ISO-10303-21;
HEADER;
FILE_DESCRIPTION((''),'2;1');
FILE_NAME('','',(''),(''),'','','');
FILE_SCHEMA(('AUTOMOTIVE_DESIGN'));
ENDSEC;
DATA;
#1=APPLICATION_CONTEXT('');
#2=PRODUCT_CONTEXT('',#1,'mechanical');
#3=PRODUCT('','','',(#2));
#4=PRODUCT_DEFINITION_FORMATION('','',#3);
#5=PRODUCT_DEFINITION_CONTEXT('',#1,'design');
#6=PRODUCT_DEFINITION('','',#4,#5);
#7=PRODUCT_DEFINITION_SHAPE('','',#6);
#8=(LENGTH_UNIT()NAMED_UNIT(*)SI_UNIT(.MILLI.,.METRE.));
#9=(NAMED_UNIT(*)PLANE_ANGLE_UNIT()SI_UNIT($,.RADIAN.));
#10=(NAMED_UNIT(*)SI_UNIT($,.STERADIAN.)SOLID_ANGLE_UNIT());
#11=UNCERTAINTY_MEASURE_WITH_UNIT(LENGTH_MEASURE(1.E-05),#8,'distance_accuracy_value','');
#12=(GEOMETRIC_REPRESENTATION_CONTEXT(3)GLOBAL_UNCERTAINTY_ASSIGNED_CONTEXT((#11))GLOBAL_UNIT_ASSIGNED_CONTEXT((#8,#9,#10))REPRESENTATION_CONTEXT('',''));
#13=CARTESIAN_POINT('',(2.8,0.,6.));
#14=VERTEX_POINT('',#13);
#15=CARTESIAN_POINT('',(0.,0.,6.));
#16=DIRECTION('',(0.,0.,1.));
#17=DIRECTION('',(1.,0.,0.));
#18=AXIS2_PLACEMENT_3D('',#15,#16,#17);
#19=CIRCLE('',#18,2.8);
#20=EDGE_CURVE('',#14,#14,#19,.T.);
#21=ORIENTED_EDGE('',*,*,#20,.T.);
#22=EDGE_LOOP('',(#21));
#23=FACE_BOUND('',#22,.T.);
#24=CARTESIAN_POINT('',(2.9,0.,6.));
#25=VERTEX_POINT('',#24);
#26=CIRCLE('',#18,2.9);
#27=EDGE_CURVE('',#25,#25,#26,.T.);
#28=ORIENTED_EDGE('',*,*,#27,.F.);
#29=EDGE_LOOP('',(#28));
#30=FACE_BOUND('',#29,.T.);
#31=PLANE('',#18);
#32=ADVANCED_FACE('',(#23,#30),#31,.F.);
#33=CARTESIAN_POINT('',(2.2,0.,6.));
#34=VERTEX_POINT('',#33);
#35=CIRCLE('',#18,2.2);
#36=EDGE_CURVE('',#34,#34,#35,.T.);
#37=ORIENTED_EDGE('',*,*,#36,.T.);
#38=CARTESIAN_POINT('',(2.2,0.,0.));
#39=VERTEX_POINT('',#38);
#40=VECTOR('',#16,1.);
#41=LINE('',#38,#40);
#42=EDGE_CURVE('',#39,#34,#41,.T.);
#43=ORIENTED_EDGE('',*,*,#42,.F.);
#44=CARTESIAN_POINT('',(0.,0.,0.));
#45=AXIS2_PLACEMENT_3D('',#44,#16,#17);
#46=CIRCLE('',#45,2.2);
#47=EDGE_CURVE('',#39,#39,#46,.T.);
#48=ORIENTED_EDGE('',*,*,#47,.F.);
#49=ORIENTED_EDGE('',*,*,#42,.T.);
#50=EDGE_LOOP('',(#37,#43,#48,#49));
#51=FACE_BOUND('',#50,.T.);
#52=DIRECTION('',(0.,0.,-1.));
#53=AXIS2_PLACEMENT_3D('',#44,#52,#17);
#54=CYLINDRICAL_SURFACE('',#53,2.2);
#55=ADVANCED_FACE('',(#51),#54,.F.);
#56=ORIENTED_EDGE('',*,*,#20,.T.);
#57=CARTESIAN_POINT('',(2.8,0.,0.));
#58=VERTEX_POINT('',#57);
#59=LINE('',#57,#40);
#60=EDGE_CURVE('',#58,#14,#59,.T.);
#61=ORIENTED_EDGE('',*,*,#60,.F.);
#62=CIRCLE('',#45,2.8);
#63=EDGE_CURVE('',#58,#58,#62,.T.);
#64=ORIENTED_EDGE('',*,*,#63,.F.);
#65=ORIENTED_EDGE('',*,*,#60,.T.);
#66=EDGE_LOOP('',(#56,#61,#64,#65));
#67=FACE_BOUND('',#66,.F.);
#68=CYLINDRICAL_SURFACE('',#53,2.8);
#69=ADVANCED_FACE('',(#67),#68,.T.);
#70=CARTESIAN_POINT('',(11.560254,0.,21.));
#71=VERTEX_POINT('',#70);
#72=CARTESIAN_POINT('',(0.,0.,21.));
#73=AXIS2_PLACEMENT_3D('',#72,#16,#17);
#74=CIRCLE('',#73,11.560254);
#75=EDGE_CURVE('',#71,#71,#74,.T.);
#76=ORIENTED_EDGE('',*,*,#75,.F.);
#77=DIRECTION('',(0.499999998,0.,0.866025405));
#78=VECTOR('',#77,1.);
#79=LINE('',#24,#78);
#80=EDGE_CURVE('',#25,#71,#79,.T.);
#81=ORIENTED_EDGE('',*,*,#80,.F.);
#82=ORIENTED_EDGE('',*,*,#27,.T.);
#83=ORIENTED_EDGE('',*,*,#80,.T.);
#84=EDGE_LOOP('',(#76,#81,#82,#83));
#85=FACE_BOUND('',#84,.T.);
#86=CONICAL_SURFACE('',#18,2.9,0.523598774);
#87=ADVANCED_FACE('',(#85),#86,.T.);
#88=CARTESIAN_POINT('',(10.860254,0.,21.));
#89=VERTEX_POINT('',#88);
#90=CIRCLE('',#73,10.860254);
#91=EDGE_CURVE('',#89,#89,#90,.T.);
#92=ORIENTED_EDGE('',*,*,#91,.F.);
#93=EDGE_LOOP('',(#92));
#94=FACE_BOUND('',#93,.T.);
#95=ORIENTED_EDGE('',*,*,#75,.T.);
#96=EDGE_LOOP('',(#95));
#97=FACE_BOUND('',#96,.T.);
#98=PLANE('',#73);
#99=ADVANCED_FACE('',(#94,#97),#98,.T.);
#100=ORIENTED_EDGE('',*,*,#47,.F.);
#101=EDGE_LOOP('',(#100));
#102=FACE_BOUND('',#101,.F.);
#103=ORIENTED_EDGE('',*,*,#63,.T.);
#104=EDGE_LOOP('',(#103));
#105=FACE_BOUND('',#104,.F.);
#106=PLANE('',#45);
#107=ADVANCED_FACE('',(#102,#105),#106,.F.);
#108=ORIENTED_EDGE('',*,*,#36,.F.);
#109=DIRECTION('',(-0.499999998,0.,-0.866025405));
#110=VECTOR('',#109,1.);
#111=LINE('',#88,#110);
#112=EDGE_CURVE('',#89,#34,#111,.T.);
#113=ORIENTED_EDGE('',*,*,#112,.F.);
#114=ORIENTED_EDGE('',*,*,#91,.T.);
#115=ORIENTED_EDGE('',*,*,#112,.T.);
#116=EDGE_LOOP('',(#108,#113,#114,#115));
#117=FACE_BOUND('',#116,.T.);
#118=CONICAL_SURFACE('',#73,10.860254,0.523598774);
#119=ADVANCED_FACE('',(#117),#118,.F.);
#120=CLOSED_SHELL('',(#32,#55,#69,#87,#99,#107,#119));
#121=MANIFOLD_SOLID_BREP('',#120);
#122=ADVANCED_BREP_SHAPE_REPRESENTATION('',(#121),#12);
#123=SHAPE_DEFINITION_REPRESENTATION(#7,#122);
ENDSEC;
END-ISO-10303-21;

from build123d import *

# Parameters (mm, degrees)
F0_R     = 2.8
F0_R_2   = 2.2
F1_DEPTH = 6


with BuildPart() as f1:
    # F0 (on Top) → F1 (new body)
    with BuildSketch(Plane.XY):
        Circle(F0_R)
        Circle(F0_R_2, mode=Mode.SUBTRACT)
    extrude(amount=F1_DEPTH)

    # F2 (on Front) → F3 (revolve)
    with BuildSketch(Plane.XZ):
        Polygon((10.860254, 21), (2.2, 6), (2.9, 6), (11.560254, 21), align=None)
    revolve(axis=Axis((0, 0, 15.443827), (0, 0, 1)))


solid = f1.part
